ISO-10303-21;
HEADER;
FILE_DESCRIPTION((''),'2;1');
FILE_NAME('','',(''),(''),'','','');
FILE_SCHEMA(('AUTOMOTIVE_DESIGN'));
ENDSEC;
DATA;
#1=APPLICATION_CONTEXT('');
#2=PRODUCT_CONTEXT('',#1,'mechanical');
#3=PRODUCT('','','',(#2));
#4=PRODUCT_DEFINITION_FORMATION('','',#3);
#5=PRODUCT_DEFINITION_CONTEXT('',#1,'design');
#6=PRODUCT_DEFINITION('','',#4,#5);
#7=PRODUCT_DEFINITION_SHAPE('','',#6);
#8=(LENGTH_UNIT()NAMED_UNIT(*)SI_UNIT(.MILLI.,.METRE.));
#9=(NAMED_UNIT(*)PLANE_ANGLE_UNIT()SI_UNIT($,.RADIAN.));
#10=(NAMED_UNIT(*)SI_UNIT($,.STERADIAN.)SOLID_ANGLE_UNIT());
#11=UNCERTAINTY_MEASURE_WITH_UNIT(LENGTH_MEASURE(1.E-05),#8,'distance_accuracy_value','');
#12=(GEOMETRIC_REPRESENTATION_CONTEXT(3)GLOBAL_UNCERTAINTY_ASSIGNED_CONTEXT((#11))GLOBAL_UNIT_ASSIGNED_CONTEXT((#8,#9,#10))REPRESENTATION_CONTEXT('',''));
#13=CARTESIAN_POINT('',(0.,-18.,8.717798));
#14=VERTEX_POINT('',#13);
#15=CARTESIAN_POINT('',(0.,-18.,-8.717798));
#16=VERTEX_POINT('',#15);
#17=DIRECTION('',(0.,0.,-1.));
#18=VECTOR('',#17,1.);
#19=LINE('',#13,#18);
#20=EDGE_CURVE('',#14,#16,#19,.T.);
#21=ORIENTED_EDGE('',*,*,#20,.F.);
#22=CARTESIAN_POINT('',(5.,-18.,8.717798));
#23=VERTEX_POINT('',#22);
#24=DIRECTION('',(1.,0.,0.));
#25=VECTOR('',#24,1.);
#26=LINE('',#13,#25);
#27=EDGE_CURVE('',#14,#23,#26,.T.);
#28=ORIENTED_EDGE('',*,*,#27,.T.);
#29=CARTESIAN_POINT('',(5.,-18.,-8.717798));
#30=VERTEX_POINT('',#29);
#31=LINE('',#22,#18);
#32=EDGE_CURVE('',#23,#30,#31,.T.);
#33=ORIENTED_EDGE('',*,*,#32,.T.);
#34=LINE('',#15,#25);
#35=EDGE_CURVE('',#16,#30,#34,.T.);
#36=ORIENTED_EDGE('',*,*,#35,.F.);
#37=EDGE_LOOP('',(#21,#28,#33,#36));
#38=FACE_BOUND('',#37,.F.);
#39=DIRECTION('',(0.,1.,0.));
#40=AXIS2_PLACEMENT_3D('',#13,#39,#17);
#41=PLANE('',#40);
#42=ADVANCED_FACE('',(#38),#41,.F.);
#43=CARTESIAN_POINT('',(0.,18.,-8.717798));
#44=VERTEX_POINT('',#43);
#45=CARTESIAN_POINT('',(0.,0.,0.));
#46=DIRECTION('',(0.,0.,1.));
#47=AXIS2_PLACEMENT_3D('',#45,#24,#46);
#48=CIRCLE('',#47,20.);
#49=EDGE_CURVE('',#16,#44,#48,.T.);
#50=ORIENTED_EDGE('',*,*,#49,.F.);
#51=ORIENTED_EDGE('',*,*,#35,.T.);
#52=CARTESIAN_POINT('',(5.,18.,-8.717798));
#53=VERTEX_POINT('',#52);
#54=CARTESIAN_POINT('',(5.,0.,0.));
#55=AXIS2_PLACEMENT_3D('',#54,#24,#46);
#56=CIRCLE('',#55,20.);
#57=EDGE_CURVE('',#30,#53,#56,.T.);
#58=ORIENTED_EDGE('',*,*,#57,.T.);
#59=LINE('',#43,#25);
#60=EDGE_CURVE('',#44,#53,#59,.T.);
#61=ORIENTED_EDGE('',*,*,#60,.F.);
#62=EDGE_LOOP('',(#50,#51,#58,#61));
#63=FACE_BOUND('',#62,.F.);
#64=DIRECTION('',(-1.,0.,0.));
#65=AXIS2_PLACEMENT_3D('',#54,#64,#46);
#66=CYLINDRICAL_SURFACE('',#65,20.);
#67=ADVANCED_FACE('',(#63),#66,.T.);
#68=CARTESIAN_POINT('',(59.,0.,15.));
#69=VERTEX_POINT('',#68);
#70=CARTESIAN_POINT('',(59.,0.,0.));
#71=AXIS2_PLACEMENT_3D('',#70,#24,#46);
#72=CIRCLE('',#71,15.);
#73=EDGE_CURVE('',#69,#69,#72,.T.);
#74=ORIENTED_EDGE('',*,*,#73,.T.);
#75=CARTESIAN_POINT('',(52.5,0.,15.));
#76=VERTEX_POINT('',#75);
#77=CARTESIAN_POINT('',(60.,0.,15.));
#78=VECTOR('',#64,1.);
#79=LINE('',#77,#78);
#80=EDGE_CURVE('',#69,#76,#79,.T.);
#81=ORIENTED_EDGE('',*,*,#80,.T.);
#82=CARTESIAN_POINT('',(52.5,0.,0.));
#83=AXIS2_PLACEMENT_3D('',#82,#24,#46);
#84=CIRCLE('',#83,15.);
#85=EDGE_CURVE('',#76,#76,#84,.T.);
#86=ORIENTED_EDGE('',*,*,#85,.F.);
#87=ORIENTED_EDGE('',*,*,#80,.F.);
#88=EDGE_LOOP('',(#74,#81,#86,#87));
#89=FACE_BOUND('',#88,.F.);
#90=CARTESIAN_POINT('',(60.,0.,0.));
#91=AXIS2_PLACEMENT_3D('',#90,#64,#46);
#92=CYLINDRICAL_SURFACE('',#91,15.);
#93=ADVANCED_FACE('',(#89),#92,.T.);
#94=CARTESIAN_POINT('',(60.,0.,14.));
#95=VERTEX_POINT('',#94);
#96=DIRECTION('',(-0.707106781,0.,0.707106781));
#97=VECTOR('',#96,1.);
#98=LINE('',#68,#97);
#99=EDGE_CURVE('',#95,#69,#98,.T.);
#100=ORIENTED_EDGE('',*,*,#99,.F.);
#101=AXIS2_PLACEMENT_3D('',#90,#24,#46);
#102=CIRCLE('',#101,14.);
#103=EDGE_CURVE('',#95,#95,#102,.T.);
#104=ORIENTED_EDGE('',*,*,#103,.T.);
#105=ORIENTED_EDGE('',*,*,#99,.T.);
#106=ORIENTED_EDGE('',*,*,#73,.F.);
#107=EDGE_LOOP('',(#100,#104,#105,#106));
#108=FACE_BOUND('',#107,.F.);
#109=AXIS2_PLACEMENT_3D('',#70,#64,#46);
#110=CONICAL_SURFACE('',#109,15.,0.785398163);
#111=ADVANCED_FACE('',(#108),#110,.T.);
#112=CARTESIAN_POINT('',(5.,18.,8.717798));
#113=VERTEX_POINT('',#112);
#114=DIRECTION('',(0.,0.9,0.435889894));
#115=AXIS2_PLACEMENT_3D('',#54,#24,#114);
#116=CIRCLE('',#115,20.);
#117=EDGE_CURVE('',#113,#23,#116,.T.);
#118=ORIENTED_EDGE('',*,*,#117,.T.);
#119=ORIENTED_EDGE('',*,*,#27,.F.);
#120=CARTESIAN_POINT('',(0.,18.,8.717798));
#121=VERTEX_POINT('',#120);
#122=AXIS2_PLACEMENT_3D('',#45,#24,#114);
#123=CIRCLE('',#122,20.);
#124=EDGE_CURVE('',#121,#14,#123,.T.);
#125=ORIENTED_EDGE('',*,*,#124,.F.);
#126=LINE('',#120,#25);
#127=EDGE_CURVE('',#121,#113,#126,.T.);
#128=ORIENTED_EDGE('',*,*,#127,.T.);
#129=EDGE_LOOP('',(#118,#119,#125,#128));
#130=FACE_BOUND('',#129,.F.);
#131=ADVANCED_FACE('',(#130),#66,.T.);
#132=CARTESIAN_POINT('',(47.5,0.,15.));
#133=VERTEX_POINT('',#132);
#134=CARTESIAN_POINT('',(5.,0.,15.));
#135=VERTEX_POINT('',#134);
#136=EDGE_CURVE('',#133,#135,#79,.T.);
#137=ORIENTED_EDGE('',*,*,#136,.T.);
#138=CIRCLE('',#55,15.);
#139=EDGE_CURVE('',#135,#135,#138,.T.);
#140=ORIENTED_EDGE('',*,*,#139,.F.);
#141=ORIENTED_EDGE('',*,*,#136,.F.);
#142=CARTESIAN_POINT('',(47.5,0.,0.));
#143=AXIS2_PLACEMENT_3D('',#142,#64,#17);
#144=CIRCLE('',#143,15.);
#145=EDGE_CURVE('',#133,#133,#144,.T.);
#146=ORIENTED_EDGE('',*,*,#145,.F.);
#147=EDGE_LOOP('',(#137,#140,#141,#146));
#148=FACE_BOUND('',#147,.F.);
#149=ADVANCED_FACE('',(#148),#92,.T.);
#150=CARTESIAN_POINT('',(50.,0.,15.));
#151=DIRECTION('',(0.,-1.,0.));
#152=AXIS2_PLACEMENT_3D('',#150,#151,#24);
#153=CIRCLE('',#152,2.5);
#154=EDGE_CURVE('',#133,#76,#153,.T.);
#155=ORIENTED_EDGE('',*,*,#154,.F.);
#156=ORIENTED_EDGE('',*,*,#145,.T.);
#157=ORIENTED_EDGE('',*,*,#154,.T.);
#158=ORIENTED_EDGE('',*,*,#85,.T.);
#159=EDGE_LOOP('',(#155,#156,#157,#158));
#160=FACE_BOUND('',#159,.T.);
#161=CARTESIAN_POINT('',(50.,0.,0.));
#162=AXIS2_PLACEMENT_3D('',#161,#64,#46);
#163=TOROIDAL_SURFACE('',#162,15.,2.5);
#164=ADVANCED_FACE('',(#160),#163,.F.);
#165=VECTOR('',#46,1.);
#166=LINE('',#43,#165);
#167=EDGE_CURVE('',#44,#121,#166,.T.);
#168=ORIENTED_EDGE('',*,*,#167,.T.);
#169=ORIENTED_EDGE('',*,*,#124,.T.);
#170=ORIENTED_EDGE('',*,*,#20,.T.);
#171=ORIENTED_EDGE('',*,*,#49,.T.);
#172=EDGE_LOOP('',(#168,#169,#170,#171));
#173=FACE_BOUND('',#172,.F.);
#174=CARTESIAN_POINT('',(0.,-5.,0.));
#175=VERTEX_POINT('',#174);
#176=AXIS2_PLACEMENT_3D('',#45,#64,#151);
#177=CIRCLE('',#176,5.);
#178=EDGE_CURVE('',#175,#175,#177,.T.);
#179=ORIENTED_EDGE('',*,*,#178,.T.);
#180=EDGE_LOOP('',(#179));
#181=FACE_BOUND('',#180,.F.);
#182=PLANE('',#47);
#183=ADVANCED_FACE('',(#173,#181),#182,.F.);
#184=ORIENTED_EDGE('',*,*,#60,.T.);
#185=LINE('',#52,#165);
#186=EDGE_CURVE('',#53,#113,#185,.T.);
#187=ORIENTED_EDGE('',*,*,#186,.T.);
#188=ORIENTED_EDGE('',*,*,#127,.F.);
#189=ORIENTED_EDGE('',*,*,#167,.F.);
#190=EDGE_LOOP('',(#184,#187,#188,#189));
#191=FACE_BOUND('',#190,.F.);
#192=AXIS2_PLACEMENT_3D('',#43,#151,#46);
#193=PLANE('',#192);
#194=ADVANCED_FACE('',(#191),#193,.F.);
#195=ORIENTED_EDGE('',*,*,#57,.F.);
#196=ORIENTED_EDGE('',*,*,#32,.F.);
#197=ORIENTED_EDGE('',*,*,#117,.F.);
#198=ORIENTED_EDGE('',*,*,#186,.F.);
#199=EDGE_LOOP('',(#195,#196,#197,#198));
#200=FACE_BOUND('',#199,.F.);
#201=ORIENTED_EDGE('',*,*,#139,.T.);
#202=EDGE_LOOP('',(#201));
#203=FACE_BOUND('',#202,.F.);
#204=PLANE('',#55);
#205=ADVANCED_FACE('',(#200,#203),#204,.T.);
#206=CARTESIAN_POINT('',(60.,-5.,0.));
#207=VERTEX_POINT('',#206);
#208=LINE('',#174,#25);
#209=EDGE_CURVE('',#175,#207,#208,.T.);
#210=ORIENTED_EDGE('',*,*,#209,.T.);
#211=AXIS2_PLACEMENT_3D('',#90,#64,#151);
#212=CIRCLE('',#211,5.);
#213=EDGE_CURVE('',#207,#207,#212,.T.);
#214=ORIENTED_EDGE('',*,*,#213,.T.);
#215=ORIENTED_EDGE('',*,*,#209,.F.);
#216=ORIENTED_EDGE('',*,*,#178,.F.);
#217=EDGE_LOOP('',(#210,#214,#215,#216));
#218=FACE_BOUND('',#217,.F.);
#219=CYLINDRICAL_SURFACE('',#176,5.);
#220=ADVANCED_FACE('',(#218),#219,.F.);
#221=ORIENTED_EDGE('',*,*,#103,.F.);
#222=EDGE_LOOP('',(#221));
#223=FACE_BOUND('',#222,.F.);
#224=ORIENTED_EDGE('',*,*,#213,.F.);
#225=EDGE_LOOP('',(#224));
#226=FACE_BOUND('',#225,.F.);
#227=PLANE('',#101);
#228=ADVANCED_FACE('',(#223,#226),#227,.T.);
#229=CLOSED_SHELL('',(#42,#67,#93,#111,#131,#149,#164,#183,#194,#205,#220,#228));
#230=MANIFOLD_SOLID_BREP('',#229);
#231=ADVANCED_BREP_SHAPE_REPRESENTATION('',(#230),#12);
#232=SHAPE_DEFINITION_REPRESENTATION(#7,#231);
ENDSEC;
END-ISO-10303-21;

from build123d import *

# Parameters (mm, degrees)
F3_SIZE  = 1
F1_R     = 2.5
F6_DEPTH = 5
F7_R     = 5
F8_DEPTH = 60


with BuildPart() as f2:
    # F0 (on Front) → F2 (revolve)
    with BuildSketch(Plane.XZ):
        Polygon((0, 20), (0, 0), (60, 0), (60, 15), (5, 15), (5, 20), align=None)
    revolve(axis=Axis((30, 0, 0), (1, 0, 0)))

    # F3
    f3_edges = [f2.edges().sort_by_distance(p)[0] for p in [
        (60, 0, -15),
    ]]
    chamfer(f3_edges, length=F3_SIZE)

    # F1 (on face) → F4 (revolve, cut)
    with BuildSketch(Plane.XZ):
        with Locations((50, 15)):
            Circle(F1_R)
    revolve(axis=Axis((30, 0, 0), (1, 0, 0)), mode=Mode.SUBTRACT)

    # F5 (on face) → F6 (cut, through all)
    with BuildSketch(Plane(origin=(0, 0, 0), x_dir=(0, -1, 0), z_dir=(-1, 0, 0))):
        with BuildLine():
            Line((18, 8.7177978871), (18, -8.7177978871))
            ThreePointArc((18, -8.7177978871), (19.4935886896, -4.472135955), (20, 0))
            ThreePointArc((20, 0), (19.4935886896, 4.472135955), (18, 8.7177978871))
        make_face()
        with BuildLine():
            ThreePointArc((-18, 8.7177978871), (-20, 0), (-18, -8.7177978871))
            Line((-18, -8.7177978871), (-18, 8.7177978871))
        make_face()
    extrude(amount=-F6_DEPTH, mode=Mode.SUBTRACT)

    # F7 (on face) → F8 (cut, through all)
    with BuildSketch(Plane(origin=(0, 0, 0), x_dir=(0, -1, 0), z_dir=(-1, 0, 0))):
        Circle(F7_R)
    extrude(amount=-F8_DEPTH, mode=Mode.SUBTRACT)


solid = f2.part
